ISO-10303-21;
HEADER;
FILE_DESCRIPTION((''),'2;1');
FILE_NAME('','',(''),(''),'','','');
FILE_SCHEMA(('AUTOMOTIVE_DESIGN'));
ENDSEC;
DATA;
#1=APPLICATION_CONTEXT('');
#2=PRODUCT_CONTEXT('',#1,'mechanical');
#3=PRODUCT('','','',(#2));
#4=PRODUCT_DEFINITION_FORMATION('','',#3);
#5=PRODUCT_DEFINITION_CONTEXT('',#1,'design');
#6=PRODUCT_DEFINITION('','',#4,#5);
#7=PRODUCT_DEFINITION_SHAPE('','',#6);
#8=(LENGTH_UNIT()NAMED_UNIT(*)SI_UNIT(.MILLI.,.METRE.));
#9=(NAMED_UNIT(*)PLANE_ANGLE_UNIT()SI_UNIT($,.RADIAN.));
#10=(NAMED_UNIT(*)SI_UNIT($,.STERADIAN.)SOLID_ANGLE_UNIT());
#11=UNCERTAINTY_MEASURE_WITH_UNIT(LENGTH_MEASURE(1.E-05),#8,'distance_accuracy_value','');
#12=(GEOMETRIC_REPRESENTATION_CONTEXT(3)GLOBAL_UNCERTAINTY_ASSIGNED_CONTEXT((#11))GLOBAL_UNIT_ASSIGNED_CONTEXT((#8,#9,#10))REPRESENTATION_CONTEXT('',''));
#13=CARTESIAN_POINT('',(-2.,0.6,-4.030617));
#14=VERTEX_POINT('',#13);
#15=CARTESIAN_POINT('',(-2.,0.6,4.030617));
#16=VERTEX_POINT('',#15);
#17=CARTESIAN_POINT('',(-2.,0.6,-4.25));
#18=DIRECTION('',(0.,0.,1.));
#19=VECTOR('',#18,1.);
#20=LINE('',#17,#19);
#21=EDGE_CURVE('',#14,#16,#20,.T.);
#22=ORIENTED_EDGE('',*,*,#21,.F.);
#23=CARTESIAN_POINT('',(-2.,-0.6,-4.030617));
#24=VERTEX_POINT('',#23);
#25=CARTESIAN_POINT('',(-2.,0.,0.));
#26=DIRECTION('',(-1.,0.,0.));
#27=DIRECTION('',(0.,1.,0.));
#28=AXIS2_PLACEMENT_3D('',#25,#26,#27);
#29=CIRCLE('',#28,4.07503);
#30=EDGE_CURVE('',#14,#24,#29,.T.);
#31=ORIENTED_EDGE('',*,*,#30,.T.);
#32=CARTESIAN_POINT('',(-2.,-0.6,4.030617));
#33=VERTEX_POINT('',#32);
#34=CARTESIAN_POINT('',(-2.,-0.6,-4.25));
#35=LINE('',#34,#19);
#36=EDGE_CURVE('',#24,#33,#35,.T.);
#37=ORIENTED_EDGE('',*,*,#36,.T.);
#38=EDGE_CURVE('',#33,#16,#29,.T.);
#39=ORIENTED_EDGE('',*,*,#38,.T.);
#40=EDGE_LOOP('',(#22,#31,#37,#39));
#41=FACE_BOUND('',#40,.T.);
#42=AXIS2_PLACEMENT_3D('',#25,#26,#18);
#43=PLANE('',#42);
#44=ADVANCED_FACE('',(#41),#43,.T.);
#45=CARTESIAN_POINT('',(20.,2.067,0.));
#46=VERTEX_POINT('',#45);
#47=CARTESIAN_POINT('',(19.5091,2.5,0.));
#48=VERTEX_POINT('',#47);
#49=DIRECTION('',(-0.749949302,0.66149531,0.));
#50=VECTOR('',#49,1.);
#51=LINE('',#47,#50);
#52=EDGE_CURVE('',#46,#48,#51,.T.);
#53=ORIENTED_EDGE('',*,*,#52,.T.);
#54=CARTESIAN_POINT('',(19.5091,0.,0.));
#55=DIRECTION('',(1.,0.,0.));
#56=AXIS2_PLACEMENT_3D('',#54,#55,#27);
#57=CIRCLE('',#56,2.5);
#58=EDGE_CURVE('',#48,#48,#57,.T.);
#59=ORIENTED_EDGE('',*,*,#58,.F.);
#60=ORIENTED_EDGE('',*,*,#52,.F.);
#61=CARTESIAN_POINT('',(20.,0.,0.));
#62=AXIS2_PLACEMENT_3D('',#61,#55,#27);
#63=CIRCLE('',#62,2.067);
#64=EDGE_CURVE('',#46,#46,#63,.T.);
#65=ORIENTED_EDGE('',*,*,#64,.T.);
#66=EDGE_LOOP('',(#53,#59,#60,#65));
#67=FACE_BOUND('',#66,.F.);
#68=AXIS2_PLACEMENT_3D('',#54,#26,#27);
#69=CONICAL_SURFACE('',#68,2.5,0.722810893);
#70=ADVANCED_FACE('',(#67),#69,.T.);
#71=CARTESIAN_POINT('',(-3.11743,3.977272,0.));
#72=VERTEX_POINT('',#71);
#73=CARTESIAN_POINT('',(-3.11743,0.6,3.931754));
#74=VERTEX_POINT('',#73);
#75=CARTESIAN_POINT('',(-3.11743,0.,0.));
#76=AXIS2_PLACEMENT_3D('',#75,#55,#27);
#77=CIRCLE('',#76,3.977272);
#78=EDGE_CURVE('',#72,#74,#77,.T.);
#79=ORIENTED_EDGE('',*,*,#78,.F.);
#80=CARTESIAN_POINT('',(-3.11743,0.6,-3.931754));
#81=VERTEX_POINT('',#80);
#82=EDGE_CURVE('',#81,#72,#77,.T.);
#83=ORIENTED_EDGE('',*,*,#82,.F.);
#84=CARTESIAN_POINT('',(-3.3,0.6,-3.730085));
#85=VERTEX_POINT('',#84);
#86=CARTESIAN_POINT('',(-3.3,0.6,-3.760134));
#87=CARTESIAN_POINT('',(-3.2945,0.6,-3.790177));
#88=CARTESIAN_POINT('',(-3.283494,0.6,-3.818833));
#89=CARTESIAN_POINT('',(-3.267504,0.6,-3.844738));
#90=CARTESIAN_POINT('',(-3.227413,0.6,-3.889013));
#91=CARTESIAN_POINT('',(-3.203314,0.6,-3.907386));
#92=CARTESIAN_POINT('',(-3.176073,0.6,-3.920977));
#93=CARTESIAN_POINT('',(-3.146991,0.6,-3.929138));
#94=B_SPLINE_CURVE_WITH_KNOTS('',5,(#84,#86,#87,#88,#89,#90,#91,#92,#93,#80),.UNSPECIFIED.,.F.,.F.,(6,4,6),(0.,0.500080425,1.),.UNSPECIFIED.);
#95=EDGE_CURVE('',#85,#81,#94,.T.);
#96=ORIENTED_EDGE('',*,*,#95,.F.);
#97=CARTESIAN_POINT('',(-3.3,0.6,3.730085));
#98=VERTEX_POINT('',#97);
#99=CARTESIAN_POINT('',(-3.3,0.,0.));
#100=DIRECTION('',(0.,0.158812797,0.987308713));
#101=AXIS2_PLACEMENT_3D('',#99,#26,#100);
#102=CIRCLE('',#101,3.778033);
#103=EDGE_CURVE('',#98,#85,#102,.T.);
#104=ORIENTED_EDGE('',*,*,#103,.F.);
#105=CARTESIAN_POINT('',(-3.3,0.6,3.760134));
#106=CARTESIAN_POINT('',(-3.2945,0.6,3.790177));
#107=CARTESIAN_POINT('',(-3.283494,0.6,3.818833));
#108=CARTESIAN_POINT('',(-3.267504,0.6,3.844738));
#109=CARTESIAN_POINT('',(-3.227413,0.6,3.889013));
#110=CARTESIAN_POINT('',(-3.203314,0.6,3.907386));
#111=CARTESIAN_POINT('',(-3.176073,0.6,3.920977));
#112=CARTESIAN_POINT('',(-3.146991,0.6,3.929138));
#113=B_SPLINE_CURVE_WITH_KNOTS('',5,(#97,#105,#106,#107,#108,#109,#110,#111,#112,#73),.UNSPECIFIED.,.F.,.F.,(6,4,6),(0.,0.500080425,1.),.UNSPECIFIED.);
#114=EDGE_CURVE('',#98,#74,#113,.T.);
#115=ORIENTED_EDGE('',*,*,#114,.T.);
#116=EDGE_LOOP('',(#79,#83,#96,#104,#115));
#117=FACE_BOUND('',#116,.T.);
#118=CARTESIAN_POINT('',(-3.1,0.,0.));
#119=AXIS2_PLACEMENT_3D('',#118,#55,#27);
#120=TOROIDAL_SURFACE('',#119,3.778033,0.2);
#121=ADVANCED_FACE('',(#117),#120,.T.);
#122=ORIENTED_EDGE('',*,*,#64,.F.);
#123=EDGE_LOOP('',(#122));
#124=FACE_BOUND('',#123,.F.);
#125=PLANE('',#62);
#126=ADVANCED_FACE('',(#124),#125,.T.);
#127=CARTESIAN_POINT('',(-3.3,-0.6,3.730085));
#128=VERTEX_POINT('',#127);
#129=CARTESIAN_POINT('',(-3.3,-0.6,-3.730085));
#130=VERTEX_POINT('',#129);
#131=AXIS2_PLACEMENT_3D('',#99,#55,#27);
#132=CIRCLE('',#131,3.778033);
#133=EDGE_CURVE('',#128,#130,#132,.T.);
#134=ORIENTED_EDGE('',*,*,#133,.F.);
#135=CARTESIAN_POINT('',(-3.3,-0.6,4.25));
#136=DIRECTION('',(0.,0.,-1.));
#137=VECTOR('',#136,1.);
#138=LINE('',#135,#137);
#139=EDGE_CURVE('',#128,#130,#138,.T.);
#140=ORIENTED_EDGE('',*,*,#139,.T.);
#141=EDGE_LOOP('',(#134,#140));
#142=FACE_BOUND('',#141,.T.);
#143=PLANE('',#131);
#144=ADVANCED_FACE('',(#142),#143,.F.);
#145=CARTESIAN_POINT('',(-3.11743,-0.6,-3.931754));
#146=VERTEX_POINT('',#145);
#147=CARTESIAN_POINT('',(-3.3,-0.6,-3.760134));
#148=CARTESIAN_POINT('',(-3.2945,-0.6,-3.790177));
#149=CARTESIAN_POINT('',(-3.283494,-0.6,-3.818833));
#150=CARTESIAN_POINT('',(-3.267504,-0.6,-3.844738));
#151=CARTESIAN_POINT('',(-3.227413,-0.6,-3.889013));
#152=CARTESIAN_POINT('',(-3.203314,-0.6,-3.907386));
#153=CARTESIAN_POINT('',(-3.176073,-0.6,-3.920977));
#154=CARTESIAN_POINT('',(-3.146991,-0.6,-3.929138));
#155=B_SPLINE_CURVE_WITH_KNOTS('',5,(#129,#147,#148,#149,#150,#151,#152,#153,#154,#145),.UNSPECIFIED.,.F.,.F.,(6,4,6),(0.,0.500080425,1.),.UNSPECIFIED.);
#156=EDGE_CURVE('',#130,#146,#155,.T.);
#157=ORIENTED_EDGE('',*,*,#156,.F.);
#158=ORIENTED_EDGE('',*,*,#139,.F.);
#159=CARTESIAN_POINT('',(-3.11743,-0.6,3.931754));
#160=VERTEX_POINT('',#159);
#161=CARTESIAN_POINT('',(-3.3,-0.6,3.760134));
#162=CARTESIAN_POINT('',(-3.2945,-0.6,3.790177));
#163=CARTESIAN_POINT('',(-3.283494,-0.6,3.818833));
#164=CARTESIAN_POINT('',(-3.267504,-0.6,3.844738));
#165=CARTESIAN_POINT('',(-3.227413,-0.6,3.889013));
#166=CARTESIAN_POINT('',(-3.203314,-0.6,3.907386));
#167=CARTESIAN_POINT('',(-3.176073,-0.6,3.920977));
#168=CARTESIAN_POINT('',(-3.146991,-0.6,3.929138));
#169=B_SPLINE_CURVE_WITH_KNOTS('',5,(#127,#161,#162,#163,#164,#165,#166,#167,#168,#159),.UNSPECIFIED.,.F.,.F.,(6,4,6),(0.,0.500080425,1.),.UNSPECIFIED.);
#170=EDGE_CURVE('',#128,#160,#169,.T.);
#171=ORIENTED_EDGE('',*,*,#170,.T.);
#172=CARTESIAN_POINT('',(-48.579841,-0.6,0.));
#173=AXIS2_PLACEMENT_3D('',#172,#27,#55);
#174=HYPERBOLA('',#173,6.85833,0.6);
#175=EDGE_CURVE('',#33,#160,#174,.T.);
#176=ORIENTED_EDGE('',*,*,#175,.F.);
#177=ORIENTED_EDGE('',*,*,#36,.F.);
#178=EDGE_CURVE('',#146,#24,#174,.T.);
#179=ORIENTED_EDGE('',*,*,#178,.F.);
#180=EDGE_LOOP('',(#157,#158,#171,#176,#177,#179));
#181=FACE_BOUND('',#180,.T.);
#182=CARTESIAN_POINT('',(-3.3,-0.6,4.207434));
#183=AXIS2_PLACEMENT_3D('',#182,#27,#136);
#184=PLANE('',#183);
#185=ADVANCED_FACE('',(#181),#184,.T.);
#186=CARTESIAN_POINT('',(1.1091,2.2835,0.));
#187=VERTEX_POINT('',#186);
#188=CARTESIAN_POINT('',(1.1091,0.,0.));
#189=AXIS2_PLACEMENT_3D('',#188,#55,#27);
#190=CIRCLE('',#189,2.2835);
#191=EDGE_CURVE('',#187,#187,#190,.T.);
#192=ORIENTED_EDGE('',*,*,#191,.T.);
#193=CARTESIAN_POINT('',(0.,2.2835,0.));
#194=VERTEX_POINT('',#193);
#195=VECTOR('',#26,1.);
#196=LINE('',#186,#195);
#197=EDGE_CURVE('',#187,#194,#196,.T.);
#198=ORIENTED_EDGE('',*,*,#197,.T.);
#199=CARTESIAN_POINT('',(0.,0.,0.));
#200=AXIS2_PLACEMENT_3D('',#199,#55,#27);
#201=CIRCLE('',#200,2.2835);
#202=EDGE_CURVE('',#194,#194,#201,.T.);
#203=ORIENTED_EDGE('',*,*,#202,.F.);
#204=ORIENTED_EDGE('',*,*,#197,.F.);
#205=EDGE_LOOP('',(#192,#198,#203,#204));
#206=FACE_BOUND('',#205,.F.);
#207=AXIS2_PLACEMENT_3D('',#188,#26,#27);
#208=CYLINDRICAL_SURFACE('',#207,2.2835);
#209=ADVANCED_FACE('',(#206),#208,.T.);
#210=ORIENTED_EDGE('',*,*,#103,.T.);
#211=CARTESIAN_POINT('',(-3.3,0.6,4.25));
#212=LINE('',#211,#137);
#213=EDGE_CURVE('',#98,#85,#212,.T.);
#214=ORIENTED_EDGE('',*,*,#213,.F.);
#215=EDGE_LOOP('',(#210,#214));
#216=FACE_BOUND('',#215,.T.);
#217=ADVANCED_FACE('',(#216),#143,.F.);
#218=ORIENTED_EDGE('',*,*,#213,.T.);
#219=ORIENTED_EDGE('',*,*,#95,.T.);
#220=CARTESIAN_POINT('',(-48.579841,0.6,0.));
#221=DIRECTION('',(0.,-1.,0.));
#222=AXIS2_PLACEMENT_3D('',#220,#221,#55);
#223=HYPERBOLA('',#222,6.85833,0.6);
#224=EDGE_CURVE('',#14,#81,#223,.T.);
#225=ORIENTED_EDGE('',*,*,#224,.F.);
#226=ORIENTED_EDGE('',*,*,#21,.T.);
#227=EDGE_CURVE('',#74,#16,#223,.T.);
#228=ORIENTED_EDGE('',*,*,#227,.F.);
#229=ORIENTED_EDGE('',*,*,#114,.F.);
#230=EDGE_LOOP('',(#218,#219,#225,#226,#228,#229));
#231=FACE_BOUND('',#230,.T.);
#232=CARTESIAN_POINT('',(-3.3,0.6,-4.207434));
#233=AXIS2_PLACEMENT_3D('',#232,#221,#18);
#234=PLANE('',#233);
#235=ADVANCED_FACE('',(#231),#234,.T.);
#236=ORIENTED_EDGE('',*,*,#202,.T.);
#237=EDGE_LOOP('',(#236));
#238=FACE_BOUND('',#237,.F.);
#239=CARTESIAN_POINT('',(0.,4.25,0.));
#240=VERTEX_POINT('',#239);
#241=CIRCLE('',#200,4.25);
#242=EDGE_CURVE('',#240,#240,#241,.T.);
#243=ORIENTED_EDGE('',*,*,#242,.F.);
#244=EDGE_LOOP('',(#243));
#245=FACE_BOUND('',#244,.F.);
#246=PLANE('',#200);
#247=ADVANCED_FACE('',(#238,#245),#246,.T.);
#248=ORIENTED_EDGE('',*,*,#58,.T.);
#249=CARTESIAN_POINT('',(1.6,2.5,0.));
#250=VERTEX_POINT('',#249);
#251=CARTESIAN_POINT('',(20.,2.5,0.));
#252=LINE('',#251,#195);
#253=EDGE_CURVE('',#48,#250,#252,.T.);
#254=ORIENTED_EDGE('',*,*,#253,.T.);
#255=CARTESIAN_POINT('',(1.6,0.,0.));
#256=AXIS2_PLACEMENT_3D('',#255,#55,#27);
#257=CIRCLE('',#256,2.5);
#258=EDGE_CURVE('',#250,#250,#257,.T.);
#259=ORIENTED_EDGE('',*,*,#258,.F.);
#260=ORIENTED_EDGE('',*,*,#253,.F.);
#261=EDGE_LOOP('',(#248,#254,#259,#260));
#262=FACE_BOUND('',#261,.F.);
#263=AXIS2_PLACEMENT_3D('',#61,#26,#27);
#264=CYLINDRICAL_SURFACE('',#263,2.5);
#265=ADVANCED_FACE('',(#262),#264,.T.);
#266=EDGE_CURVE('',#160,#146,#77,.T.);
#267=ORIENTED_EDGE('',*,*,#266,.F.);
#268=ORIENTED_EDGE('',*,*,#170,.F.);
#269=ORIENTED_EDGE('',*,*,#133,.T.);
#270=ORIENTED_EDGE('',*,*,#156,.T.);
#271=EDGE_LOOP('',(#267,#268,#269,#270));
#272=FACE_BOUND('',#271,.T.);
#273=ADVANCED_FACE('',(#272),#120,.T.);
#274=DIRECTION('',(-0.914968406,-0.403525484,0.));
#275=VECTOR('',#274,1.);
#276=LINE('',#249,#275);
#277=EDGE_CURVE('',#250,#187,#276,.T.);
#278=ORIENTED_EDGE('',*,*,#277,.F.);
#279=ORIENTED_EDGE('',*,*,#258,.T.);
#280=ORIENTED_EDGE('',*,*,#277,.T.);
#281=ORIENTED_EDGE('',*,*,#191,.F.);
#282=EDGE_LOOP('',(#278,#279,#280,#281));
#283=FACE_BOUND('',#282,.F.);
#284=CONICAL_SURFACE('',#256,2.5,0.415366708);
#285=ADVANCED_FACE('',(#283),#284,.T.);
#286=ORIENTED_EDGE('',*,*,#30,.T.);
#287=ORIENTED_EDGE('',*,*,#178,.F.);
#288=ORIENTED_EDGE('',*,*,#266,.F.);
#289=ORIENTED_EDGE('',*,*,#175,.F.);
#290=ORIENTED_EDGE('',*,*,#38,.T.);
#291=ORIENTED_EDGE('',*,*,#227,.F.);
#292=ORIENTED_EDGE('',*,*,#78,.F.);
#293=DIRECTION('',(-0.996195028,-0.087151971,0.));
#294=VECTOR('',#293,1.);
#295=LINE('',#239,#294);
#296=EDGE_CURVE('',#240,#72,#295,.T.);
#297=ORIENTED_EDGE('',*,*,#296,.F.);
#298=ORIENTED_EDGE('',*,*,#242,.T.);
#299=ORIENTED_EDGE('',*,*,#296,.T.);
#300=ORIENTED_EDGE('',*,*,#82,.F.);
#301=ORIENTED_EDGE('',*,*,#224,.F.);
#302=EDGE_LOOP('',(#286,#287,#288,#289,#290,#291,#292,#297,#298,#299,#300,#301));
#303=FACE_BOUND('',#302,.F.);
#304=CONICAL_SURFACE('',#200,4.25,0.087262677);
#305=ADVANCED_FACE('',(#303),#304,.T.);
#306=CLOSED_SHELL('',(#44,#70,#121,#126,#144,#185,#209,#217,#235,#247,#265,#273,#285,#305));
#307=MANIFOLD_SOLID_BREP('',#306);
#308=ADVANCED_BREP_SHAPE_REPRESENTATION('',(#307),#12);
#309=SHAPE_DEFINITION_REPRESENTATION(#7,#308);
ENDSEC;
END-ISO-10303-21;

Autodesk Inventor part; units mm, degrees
ref_plane "YZ Plane" through (0, 0, 0) normal (1, 0, 0) x (0, 1, 0)
ref_plane "XZ Plane" through (0, 0, 0) normal (0, 1, 0) x (-1, 0, 0)
sketch "Sketch1" plane through (0, 0, 0) normal (0, 0, 1) x (1, 0, 0)
  line L0 (-3.3, 0) -> (20, 0)
  line L1 (20, 0) -> (20, 2.5)
  line L2 (20, 2.5) -> (1.6, 2.5)
  line L3 (1.6, 2.5) -> (1.1091, 2.2835)
  line L4 (1.1091, 2.2835) -> (0, 2.2835)
  line L5 (0, 2.2835) -> (0, 4.25)
  line L6 (-7.96, 0) -> (24.66, 0) projected
  line L7 (0, -0.85) -> (0, 5.1) projected
  line L8 (-3.3, 0) -> (-3.3, 3.9613)
  line L9 (0, 4.25) -> (-3.3, 3.9613)
  line L10 (1.6, 2.5) -> (0, 2.5) construction
  dimension "d0" = 20
  dimension "d1" = 18.4
  dimension "d2" = 0.4909
  dimension "d3" = 3.3
  dimension "d4" = 5
  dimension "d5" = 4.567
  dimension "d9" = 8.5
  dimension "d10" = 5
revolve "Body" add sketch "Sketch1" angle 360 about axis through (-3.3, 0, 0) along (1, 0, 0)
sketch "Sketch2" plane through (-3.3, 0, 0) normal (-1, 0, 0) x (0, 0, 1)
  circle A0 centre (0, 0) radius 4.25 projected
  line L0 (0, 0) -> (0, 3.9613) projected
  line L1 (-4.25, 0.6) -> (4.25, 0.6)
  line L2 (4.25, 0.6) -> (4.25, -0.6)
  line L3 (4.25, -0.6) -> (-4.25, -0.6)
  line L4 (-4.25, -0.6) -> (-4.25, 0.6)
  line L5 (-4.25, 0) -> (4.25, 0) construction
  line L6 (0, 0.6) -> (0, -0.6) construction
  point P0 (0, 0)
  dimension "d11" = 1.2
  dimension "d12" = 8.5
fillet "Fillet1" radius 0.2 1 edges at (-3.3, -3.9613, 0)
extrude "Slot" cut sketch "Sketch2" against normal blind 1.3 contours A0 L3 L1 | L2 L3 A0 | A0 L1 L2 | A0 L4 L1 | L3 L4 A0
thread "Thread" size "M5x0.8" class "6g" standard "ISO Metric profile" length 18.4
chamfer "Chamfer1" distance 0.433 distance2 0.4909 1 edges at (20, -2.5, 0) measured on face at (20, 1.2612, -0.6619)
ref_plane "Work Plane1" through (30.1625, 0, 0) normal (0, 0, -1) x (1, 0, 0)
equation "\"d11\" = SBR"
equation "\"d12\" = KOD"
equation "\"d14\" = RR"
equation "\"d19\" = STI"
equation "\"d15\" = GEL"
equation "\"d17\" = -0.5 * SPD + 0.5 * GD"
equation "\"d0\" = NLG"
equation "\"d1\" = GEL"
equation "\"d3\" = KOH"
equation "\"d4\" = GD"
equation "\"d5\" = BDM"
equation "\"d9\" = KOD"
equation "\"d10\" = KEWI"
equation "\"GD\" = 5"
equation "\"NLG\" = 20"
equation "\"GEL\" = 18.4"
equation "\"KOD\" = 8.5"
equation "\"KOH\" = 3.3"
equation "\"GAL\" = 0.61345 * PTC"
equation "\"SPD\" = 4.13397"
equation "\"BDM\" = 4.56699"
equation "\"GUL\" = 0.61345 * PTC"
equation "\"RR\" = 0.2"
equation "\"SBR\" = 1.2"
equation "\"STI\" = 1.3"
equation "\"KEWI\" = 5deg"
equation "\"PTC\" = 0.8"
equation "\"THREADDIA\" = 5"
equation "\"TOA\" = 30deg"
equation "\"NND\" = 5"
equation "\"GD1\" = THREADDIA - 1.2269 * PTC"
properties part number "DIN 84 - M5 x 20" material "Steel, Mild"
